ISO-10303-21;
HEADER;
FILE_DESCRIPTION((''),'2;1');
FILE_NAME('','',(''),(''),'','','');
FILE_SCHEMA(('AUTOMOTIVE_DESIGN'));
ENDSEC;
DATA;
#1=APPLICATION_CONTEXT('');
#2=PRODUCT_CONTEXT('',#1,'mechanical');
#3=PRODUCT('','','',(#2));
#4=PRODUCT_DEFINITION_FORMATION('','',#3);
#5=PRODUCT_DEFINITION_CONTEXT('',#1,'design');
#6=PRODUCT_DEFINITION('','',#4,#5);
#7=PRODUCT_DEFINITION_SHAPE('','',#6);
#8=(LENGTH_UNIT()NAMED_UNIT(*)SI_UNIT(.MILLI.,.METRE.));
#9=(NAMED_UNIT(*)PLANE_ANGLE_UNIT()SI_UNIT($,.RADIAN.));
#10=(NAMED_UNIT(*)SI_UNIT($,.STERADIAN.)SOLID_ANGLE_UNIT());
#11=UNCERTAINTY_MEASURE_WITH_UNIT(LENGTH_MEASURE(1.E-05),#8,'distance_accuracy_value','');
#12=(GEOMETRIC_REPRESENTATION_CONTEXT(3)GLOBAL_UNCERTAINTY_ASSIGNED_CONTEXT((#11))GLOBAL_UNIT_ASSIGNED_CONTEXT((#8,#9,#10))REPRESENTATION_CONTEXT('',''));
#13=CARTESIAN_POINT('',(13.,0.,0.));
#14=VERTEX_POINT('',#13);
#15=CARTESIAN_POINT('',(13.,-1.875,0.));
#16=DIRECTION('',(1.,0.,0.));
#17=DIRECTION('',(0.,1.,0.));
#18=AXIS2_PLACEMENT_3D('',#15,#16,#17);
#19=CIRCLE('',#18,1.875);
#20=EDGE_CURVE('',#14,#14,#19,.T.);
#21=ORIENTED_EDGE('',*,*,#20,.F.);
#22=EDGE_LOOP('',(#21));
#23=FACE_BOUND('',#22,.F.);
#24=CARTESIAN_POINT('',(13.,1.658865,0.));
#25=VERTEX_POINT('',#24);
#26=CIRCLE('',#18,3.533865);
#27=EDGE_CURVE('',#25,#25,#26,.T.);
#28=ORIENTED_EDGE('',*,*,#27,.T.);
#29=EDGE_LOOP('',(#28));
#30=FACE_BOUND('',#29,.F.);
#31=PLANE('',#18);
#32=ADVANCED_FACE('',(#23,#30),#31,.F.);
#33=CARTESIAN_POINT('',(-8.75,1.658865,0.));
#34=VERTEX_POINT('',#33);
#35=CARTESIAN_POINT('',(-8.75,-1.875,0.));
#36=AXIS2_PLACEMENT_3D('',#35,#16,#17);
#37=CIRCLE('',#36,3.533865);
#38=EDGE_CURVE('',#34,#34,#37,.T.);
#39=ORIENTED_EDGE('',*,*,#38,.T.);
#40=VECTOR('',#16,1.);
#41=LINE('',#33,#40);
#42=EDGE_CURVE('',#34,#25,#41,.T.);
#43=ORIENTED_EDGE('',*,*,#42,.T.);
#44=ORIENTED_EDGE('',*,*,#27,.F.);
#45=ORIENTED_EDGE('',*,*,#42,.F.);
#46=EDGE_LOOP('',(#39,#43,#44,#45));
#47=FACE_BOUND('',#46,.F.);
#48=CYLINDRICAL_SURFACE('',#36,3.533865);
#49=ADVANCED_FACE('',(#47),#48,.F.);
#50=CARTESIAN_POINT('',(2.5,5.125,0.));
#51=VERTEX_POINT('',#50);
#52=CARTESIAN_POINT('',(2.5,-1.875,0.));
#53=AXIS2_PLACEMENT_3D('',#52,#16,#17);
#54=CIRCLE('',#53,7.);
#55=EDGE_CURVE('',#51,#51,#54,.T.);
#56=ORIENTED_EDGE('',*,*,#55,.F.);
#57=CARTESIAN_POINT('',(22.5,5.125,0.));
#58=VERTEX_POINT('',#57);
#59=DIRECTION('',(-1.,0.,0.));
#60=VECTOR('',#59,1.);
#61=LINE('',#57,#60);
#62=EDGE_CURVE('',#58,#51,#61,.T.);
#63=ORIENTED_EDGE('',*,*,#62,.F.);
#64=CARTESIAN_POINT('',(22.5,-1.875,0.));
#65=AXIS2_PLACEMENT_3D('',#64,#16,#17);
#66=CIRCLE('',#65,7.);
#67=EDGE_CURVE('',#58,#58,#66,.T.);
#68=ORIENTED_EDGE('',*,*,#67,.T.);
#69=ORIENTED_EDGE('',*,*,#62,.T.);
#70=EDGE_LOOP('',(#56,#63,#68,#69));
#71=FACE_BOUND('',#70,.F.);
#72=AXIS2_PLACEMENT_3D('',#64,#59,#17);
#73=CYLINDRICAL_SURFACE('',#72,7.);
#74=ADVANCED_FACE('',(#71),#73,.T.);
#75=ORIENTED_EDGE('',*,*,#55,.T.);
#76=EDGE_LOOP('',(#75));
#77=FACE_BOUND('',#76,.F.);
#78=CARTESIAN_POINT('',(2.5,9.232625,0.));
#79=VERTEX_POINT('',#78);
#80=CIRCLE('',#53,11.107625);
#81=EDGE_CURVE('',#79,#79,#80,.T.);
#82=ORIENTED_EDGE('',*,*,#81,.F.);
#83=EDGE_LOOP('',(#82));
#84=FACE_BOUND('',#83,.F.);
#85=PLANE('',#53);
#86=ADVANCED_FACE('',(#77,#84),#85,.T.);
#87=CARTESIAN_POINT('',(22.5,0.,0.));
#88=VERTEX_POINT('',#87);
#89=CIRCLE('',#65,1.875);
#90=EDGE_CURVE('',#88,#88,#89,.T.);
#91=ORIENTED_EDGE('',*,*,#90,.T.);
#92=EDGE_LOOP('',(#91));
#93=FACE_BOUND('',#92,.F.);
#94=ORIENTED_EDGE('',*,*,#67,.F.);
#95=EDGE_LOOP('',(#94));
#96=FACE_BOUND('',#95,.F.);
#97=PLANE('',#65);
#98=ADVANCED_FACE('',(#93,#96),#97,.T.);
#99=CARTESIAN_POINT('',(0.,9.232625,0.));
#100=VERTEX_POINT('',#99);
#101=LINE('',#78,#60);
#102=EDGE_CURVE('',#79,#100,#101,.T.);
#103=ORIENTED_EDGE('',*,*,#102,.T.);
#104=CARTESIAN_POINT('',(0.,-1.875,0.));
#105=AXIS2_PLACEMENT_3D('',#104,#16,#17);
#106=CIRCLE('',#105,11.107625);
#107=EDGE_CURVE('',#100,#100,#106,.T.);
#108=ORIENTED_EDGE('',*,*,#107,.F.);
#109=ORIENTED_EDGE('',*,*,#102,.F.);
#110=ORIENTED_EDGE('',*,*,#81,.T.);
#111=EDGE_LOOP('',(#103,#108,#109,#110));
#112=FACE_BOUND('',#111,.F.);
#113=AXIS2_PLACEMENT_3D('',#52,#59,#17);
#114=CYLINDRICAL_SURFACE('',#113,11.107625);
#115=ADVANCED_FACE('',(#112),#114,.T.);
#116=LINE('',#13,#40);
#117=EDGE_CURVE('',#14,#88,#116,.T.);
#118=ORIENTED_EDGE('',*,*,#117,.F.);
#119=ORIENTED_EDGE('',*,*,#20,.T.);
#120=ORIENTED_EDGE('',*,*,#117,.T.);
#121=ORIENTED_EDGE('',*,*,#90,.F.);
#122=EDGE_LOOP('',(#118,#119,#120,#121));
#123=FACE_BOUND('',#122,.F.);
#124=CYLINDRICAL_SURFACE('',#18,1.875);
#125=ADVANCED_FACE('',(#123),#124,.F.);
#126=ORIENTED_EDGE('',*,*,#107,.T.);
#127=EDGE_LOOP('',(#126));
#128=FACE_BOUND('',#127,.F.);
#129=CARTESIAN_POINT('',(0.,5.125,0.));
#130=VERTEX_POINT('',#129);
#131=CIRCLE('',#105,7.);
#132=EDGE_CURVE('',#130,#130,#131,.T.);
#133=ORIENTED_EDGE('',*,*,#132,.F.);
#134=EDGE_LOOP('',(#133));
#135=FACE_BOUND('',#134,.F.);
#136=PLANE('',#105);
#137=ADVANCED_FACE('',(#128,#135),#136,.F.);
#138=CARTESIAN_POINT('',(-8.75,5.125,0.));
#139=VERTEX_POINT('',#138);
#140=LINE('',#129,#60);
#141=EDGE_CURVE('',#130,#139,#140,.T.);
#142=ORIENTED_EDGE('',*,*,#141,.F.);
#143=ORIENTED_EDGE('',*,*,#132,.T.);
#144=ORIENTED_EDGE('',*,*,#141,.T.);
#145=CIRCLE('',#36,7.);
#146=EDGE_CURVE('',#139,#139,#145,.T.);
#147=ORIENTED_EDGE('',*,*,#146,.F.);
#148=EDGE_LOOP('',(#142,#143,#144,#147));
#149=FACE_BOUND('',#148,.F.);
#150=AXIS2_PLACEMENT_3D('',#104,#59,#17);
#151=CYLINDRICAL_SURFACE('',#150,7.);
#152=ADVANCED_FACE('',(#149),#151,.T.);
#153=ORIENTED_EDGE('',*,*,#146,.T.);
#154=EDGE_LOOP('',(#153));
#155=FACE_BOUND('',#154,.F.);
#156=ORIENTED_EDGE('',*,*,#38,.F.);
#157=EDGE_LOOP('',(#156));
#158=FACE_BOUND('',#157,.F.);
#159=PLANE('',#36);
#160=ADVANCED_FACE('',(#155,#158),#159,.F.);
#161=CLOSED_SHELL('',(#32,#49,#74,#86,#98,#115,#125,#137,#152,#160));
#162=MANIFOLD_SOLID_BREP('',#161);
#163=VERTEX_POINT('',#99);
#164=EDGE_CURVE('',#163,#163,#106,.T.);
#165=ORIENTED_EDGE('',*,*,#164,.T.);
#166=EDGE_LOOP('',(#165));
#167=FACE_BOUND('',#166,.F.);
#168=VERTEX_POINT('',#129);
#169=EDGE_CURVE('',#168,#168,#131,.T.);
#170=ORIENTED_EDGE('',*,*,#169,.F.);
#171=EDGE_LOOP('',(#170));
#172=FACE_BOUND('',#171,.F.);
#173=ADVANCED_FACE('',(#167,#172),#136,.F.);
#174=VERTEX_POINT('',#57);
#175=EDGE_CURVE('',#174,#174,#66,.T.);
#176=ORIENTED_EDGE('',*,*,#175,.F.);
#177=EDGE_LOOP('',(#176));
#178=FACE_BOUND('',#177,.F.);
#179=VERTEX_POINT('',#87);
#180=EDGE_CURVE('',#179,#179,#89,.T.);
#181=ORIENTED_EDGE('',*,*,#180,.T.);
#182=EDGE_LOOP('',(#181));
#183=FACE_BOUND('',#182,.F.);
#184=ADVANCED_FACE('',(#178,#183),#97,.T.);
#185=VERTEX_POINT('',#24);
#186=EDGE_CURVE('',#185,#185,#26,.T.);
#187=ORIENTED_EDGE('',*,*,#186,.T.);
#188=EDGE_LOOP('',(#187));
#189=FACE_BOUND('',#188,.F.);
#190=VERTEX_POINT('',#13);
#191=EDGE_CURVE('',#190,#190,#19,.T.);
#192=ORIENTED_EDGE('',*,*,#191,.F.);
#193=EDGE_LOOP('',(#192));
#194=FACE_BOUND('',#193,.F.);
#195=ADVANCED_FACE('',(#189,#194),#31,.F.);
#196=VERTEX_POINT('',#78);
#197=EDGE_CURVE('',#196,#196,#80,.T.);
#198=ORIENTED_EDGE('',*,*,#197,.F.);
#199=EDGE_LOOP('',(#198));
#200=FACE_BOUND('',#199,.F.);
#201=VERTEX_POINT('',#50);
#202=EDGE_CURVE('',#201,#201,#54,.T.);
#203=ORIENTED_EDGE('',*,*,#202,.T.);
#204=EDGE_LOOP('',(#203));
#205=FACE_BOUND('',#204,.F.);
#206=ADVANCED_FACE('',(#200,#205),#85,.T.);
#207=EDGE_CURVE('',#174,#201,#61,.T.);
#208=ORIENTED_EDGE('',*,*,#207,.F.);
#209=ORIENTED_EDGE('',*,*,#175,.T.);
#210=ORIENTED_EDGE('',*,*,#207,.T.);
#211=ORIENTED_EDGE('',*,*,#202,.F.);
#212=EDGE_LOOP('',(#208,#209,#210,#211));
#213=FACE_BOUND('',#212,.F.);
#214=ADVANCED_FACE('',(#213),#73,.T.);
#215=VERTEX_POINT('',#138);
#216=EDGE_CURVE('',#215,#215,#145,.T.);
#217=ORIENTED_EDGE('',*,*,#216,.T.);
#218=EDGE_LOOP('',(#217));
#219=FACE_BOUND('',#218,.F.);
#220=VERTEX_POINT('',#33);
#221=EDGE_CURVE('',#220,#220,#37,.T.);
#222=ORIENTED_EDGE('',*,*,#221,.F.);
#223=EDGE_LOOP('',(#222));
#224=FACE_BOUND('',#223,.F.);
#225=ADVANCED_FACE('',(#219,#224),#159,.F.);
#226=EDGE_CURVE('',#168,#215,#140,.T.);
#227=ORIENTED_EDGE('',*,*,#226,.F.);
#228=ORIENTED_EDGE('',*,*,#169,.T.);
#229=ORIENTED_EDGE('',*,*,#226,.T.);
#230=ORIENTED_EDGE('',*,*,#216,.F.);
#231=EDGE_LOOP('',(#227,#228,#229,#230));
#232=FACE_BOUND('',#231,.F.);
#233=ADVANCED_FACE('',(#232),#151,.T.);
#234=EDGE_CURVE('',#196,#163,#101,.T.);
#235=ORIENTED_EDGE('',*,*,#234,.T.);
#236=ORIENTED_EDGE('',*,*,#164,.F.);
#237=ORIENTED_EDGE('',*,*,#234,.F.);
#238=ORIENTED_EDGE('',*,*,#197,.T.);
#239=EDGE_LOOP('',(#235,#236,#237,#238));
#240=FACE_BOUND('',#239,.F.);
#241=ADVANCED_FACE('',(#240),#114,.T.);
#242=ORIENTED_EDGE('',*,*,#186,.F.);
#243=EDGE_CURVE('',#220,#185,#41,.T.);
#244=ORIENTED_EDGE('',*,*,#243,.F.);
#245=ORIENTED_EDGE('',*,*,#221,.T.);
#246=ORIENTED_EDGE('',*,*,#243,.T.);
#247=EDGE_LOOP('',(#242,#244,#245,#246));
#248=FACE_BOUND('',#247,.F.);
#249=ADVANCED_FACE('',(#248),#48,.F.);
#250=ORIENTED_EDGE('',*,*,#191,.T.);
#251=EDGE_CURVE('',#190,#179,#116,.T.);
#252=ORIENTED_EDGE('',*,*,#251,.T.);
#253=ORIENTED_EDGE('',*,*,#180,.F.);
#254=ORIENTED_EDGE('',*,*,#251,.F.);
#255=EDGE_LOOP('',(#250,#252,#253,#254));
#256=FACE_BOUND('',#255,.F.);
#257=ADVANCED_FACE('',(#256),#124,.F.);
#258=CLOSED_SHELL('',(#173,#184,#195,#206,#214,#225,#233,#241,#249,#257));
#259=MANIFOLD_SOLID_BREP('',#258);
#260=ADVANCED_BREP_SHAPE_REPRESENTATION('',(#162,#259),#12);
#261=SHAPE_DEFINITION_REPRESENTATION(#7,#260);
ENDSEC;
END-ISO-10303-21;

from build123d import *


with BuildPart() as f1:
    # F0 (on Top) → F1 (revolve)
    with BuildSketch(Plane.XY):
        Polygon((-8.75, 5.125), (-8.75, 1.658865), (13, 1.658865), (13, 0), (22.5, 0), (22.5, 5.125), (2.5, 5.125), (2.5, 9.232625), (0, 9.232625), (0, 5.125), align=None)
    revolve(axis=Axis((7.169014, -1.875, 0), (1, 0, 0)))


with BuildPart() as f2:
    # F0 (on Top) → F2 (revolve)
    with BuildSketch(Plane.XY):
        Polygon((-8.75, 5.125), (-8.75, 1.658865), (13, 1.658865), (13, 0), (22.5, 0), (22.5, 5.125), (2.5, 5.125), (2.5, 9.232625), (0, 9.232625), (0, 5.125), align=None)
    revolve(axis=Axis((7.169014, -1.875, 0), (1, 0, 0)))


solid = Compound([f1.part, f2.part])
